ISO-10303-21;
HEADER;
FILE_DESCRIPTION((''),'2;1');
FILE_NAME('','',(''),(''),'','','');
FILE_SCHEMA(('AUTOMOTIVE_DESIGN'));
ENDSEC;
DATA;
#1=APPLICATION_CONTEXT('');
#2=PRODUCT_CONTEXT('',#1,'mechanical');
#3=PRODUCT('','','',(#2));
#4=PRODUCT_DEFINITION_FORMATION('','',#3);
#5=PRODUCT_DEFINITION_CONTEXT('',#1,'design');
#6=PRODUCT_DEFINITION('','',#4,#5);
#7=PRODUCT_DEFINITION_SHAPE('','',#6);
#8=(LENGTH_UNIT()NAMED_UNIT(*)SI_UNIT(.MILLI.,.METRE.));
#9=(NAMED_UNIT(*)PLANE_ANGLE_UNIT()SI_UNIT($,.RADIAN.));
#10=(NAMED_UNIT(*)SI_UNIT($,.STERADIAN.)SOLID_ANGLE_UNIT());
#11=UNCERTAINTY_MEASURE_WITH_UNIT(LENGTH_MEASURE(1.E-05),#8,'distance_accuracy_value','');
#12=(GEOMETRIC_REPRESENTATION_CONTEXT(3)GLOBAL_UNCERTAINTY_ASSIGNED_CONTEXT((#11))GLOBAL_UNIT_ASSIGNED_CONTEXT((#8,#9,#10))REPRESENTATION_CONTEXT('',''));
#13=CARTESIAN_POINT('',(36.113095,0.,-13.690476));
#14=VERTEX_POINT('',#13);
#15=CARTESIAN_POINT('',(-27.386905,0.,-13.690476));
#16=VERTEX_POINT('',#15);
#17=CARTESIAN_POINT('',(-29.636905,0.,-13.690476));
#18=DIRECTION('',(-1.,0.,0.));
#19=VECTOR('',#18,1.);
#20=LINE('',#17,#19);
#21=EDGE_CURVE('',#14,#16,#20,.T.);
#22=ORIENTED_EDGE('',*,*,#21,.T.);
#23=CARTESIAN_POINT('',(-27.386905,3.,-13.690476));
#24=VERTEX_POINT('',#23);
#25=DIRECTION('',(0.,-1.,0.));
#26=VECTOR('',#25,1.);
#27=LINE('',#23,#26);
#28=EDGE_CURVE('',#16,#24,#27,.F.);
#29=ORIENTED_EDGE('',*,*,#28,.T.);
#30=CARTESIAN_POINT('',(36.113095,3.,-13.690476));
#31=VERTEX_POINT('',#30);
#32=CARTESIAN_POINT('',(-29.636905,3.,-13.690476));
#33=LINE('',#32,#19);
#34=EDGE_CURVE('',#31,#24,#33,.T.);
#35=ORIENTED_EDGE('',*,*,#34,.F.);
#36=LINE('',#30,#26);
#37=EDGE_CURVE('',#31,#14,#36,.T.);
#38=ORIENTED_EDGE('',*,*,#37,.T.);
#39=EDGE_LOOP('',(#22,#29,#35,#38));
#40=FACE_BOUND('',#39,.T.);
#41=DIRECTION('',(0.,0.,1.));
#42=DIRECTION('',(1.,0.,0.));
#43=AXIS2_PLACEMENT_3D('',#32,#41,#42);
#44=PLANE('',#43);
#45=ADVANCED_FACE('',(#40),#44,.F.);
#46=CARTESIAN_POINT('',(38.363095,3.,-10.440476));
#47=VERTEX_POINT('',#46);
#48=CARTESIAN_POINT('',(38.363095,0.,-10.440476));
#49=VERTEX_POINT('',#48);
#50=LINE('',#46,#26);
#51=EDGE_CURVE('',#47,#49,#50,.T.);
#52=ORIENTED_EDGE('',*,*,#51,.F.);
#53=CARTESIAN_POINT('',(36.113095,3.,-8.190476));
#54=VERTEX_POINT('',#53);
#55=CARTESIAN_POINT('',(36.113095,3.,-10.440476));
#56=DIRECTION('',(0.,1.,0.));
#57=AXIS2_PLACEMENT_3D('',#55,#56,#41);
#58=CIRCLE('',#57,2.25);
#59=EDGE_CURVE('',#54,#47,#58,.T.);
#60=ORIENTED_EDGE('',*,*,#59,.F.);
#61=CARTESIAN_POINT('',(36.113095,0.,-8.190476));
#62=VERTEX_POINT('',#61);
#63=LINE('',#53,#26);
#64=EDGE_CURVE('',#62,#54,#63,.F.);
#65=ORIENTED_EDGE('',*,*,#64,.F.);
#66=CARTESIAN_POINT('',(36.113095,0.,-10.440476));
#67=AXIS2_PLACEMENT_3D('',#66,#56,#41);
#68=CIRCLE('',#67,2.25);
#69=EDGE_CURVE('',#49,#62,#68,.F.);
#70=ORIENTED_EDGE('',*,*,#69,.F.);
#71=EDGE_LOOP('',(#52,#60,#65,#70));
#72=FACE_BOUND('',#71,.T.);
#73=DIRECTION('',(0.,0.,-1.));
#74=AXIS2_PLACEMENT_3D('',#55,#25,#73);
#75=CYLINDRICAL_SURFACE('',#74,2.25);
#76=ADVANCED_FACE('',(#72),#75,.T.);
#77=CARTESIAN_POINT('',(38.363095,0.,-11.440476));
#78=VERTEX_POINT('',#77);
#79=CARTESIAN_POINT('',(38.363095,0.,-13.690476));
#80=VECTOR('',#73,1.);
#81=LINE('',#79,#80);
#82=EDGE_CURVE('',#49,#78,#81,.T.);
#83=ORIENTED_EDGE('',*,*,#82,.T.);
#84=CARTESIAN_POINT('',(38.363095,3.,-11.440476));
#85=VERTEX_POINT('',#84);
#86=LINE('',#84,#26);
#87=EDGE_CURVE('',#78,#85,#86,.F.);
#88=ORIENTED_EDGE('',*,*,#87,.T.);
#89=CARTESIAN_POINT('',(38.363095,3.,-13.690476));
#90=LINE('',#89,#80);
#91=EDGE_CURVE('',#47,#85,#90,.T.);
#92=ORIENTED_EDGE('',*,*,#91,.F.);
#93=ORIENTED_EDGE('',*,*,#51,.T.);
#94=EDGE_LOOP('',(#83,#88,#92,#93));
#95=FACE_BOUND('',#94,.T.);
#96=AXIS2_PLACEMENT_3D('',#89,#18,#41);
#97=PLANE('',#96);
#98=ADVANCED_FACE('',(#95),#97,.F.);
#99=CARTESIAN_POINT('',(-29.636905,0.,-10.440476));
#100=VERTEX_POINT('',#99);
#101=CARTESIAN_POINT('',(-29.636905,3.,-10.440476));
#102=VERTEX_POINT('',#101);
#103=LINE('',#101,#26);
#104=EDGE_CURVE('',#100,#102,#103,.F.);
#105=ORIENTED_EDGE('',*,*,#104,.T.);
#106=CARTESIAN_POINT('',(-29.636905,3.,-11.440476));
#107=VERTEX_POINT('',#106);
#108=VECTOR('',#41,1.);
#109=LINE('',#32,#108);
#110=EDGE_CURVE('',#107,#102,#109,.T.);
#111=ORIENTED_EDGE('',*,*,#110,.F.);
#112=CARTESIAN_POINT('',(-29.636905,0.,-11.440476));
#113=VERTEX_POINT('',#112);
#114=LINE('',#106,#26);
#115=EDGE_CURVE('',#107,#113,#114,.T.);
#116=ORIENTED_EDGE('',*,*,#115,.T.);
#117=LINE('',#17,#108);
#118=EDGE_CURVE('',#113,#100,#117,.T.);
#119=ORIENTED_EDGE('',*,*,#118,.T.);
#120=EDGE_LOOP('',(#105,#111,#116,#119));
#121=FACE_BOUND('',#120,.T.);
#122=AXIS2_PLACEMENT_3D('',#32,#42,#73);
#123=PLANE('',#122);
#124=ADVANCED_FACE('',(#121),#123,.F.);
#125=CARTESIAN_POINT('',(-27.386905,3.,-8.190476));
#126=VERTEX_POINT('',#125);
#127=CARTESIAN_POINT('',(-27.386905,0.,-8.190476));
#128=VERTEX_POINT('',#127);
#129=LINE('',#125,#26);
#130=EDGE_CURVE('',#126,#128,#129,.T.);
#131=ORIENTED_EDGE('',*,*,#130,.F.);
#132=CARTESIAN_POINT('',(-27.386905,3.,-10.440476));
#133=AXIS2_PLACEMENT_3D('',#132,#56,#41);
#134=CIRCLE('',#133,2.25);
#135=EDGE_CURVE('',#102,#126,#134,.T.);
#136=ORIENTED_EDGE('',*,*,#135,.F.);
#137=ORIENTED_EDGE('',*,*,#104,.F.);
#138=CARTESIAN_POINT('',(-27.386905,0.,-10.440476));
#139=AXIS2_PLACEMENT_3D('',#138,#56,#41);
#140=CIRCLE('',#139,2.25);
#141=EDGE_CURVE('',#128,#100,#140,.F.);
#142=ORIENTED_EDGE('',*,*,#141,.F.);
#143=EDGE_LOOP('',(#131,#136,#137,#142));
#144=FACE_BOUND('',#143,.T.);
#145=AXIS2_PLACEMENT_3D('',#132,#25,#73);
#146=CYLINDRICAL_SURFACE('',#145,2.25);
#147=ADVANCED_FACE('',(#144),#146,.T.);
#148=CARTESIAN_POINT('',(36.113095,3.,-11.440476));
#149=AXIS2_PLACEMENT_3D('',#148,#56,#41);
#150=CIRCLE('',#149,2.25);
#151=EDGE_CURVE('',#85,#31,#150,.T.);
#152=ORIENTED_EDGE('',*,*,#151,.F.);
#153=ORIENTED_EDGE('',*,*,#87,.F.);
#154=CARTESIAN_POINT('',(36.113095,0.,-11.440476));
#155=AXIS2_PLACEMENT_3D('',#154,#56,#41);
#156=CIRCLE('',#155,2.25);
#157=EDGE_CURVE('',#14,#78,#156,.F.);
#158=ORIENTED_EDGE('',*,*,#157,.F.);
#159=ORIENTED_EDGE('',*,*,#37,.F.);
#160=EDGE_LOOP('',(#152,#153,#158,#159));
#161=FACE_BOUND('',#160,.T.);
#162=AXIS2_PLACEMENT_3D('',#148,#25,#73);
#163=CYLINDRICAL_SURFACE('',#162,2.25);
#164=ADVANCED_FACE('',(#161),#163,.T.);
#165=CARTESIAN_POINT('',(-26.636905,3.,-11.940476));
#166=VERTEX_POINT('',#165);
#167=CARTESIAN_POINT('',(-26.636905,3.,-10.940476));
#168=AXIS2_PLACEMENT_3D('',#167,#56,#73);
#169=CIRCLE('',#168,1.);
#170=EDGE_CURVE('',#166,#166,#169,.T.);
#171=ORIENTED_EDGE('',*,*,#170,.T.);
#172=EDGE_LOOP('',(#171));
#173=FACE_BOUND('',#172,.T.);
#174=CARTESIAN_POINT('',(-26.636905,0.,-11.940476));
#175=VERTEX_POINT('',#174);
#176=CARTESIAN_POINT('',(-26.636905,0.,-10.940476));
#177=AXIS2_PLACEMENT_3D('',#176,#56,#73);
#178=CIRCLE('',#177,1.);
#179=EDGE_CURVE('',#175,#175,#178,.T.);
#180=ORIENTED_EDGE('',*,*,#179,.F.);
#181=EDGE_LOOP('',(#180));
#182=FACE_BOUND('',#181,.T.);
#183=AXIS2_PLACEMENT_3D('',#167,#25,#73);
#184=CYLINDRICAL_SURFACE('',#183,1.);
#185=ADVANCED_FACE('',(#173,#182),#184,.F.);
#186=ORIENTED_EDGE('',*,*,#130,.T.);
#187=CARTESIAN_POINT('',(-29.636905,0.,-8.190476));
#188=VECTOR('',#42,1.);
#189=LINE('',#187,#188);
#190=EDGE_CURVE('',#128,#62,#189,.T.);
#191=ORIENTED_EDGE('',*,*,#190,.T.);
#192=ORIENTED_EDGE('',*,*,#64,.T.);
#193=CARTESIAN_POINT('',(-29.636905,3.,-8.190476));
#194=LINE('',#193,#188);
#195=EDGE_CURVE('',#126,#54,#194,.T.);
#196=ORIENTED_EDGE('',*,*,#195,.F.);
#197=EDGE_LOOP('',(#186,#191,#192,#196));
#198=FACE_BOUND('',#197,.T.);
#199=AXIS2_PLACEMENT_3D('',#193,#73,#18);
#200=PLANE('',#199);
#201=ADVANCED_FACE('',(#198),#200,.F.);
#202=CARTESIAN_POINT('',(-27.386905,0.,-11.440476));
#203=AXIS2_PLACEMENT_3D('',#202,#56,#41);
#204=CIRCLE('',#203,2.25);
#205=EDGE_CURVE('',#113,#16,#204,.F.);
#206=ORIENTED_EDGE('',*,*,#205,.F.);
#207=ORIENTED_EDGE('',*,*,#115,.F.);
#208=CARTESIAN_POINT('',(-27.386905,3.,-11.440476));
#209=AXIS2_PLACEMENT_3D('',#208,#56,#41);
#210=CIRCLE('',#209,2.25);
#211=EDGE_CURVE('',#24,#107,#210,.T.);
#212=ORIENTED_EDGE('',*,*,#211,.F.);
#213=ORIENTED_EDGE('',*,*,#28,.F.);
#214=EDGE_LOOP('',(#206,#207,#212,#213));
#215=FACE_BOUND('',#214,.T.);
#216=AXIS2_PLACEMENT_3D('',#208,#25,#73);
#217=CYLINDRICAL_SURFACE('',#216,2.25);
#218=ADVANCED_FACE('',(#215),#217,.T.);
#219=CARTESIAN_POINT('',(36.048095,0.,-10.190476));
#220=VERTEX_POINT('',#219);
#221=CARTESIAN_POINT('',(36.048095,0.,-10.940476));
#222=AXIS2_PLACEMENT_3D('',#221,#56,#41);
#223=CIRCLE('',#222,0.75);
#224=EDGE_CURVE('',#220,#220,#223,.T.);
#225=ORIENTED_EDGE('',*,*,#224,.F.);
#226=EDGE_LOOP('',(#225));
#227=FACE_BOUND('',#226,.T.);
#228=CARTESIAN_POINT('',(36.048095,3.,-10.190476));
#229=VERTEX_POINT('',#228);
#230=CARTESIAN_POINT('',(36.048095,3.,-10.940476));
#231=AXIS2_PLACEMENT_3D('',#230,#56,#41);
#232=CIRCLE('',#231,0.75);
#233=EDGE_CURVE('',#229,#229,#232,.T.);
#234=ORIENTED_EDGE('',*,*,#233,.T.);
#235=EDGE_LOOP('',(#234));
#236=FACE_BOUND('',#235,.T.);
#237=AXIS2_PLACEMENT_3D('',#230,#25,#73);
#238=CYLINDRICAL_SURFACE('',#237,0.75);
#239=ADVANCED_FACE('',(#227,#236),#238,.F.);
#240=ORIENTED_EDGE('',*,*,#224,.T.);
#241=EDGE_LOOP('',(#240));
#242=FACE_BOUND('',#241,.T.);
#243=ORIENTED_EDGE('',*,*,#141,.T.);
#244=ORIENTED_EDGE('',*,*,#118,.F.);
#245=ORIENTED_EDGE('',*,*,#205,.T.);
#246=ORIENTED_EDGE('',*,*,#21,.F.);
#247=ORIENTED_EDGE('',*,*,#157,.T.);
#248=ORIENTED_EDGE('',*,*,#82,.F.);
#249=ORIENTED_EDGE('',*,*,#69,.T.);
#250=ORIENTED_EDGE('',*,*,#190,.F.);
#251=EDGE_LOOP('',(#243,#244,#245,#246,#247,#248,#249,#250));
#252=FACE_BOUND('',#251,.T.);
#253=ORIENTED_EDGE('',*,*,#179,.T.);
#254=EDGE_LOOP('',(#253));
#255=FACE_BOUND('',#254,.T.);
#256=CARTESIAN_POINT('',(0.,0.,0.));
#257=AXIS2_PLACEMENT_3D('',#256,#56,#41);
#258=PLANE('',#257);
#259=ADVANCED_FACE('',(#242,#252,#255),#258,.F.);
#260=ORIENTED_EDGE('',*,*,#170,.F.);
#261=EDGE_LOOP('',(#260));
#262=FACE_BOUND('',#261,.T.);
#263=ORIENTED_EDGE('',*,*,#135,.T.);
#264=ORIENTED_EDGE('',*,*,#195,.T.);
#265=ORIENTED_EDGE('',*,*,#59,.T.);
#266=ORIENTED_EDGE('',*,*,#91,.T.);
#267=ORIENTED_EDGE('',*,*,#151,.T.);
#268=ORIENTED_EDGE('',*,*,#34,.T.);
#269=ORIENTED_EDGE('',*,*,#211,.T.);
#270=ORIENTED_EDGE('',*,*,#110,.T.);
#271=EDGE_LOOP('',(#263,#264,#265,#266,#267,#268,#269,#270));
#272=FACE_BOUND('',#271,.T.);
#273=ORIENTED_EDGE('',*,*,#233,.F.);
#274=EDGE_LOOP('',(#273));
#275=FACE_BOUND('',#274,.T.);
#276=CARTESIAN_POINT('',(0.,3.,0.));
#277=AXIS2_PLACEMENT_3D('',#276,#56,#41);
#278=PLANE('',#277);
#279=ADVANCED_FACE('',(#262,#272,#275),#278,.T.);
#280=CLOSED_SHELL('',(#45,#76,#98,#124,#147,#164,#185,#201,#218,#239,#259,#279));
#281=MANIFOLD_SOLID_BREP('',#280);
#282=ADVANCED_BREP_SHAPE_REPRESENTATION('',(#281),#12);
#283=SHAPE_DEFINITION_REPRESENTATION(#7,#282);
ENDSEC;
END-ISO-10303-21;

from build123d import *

# Parameters (mm, degrees)
CROQUIS1_W              = 68
CROQUIS1_H              = 5.5
CROQUIS1_R              = 0.75
CROQUIS1_R_2            = 1
SALIENTE_EXTRUIR1_DEPTH = 3
REDONDEO1_R             = 2.25


with BuildPart() as part:
    # Croquis1 → Saliente-Extruir1 (new body)
    with BuildSketch(Plane(origin=(0, 0, 0), x_dir=(1, 0, 0), z_dir=(0, 1, 0))):
        with Locations((4.363095238, 10.94047619)):
            Rectangle(CROQUIS1_W, CROQUIS1_H)
        with Locations((36.048095238, 10.94047619)):
            Circle(CROQUIS1_R, mode=Mode.SUBTRACT)
        with Locations((-26.636904762, 10.94047619)):
            Circle(CROQUIS1_R_2, mode=Mode.SUBTRACT)
    extrude(amount=SALIENTE_EXTRUIR1_DEPTH)

    # Redondeo1
    redondeo1_edges = [part.edges().sort_by_distance(p)[0] for p in [
        (-29.636904762, 1.5, -13.69047619),
        (38.363095238, 1.5, -13.69047619),
        (38.363095238, 1.5, -8.19047619),
        (-29.636904762, 1.5, -8.19047619),
    ]]
    fillet(redondeo1_edges, radius=REDONDEO1_R)


solid = part.part
